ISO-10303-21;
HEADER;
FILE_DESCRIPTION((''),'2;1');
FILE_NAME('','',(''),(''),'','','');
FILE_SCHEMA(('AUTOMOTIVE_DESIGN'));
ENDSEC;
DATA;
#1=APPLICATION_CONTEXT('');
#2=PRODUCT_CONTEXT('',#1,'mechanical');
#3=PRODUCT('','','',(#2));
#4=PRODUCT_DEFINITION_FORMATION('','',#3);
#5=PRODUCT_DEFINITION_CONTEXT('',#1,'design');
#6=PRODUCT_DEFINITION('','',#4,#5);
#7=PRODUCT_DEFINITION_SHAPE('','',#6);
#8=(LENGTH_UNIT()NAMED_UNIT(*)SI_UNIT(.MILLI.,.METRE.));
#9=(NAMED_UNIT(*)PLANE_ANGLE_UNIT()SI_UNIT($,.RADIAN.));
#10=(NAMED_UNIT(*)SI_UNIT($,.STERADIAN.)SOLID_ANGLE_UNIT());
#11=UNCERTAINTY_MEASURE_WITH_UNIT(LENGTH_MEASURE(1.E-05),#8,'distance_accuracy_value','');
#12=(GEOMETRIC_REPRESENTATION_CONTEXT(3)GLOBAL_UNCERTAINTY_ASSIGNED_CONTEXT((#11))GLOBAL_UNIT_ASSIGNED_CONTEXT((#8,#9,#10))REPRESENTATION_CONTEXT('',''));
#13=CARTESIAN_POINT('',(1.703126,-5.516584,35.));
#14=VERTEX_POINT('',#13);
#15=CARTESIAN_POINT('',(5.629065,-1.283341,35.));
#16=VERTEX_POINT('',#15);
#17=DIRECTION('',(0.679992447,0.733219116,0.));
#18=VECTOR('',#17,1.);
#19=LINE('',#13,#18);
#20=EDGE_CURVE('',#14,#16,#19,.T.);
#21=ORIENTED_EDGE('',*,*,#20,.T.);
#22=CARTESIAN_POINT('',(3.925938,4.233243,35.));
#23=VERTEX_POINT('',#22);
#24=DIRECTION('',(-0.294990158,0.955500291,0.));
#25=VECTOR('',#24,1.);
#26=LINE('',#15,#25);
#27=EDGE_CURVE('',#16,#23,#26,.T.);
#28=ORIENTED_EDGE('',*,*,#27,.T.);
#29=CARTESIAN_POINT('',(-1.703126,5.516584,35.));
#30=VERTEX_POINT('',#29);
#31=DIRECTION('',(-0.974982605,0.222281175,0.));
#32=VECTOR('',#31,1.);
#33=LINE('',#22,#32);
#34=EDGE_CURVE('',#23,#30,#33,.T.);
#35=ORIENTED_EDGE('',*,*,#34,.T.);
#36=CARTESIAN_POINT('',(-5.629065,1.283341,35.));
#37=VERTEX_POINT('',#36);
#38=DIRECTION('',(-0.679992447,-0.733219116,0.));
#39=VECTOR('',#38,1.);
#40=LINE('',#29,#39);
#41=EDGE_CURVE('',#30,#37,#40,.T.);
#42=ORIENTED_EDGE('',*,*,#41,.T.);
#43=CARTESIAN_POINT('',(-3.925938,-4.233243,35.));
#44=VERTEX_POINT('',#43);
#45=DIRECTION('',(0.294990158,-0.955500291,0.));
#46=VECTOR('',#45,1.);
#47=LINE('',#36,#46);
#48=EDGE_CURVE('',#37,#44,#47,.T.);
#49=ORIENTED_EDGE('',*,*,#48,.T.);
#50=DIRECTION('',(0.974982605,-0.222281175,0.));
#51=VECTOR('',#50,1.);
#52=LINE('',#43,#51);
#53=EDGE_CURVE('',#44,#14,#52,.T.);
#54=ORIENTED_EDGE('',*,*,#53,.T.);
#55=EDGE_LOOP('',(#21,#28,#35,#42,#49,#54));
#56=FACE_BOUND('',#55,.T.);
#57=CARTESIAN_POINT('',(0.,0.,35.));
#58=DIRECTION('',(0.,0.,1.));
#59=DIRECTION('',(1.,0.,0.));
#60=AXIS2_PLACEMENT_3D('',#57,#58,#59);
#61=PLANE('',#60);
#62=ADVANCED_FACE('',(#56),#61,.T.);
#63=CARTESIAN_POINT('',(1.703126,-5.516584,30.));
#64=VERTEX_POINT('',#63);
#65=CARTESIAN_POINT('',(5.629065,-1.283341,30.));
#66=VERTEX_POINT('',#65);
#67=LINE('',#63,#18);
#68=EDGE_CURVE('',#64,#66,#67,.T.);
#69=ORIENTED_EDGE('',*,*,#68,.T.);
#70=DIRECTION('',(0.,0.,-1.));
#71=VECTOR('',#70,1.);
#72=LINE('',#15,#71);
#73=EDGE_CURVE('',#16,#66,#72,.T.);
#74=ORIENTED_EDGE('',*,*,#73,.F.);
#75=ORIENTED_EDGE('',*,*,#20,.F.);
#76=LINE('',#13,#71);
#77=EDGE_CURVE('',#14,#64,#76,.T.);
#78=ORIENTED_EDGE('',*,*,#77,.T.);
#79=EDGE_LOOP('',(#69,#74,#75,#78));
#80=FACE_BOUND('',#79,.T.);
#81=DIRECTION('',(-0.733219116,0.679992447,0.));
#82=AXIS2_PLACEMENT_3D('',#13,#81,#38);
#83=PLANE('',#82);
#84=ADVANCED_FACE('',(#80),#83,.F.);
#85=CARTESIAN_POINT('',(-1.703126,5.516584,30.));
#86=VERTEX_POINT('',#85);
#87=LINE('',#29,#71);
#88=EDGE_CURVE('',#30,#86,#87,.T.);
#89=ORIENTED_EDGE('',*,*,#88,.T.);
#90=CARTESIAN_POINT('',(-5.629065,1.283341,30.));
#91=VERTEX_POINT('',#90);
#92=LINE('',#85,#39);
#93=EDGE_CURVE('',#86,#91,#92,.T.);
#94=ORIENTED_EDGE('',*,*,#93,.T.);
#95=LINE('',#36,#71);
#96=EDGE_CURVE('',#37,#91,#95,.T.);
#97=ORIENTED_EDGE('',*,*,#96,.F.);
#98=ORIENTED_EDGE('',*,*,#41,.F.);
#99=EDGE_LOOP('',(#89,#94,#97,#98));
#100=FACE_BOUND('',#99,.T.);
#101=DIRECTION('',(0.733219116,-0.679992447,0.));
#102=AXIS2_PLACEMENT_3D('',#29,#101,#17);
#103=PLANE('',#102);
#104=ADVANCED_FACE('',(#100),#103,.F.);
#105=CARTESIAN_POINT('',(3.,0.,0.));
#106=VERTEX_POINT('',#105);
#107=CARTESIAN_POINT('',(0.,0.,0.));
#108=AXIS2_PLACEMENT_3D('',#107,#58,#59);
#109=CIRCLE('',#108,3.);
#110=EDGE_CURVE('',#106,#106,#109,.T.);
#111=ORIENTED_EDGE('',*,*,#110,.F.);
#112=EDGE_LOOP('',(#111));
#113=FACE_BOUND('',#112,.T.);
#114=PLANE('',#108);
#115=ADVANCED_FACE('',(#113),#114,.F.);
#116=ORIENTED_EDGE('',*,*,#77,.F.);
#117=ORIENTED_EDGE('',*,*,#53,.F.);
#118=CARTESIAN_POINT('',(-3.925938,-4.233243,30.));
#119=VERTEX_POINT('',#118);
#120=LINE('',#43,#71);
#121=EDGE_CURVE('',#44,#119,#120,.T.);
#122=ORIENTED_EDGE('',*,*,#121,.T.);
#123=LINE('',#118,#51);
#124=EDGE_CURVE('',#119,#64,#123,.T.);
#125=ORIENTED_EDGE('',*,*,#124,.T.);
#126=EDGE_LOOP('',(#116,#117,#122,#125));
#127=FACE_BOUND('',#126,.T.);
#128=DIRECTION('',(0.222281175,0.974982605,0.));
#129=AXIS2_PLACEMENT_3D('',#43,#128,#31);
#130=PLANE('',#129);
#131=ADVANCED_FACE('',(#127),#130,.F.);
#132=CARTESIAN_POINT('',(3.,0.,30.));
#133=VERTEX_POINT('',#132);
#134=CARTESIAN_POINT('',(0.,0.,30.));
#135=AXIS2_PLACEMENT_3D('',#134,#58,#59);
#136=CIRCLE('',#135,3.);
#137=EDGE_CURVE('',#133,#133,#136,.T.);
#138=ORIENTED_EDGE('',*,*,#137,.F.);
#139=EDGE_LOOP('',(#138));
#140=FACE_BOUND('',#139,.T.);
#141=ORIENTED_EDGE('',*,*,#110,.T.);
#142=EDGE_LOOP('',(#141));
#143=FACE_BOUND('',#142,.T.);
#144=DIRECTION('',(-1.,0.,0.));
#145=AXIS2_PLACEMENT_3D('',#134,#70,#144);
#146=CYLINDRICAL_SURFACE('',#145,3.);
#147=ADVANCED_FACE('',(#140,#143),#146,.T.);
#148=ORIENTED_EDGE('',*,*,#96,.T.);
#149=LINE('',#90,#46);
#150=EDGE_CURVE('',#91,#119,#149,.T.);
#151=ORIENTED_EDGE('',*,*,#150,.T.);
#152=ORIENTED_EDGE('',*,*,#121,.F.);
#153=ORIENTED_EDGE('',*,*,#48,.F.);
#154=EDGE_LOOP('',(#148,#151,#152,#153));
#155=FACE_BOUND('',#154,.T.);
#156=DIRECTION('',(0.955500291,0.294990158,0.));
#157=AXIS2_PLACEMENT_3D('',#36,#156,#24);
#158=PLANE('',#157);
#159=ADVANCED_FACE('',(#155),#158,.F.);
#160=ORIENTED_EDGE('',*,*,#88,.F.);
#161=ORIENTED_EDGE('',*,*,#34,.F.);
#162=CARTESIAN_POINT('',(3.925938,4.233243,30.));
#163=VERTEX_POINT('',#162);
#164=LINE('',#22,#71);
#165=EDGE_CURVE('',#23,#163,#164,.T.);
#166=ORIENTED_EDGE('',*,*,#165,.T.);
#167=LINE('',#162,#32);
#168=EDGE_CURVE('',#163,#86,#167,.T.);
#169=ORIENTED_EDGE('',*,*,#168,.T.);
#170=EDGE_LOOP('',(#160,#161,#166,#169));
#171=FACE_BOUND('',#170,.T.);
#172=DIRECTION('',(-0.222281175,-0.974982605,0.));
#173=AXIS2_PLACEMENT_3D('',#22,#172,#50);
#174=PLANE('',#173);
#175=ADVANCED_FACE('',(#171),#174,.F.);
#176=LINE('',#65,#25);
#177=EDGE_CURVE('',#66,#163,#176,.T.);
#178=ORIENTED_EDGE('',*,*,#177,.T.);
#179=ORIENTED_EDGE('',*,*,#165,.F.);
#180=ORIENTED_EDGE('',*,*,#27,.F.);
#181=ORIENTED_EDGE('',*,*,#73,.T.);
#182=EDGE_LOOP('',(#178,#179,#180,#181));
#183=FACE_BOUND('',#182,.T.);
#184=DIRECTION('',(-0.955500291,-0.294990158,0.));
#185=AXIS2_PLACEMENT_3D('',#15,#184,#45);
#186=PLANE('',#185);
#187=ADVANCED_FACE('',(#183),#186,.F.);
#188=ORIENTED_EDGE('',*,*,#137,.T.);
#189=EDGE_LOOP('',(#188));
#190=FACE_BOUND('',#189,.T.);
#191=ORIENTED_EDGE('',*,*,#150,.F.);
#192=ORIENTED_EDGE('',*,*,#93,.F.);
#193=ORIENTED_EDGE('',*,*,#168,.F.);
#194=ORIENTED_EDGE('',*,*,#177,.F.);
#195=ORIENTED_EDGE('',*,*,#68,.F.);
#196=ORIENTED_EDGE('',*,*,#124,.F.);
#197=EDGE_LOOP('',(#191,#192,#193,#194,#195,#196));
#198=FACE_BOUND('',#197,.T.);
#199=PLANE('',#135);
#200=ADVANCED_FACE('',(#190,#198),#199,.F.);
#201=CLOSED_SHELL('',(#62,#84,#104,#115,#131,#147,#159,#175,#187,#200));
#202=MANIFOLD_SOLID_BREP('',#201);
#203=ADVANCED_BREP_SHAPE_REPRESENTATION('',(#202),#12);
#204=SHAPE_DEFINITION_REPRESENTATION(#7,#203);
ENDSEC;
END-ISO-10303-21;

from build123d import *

# Parameters (mm, degrees)
SKETCH_1_R      = 3
EXTRUDE_1_DEPTH = 30
EXTRUDE_2_DEPTH = 5


with BuildPart() as part:
    # 草图1 → 凸台-拉伸1 (new body)
    with BuildSketch(Plane.XY):
        Circle(SKETCH_1_R)
    extrude(amount=EXTRUDE_1_DEPTH)

    # 草图2 → 凸台-拉伸2 (add)
    with BuildSketch(Plane.XY.offset(30)):
        Polygon((3.925938222, 4.233242541), (-1.70312647, 5.516583504), (-5.629064692, 1.283340963), (-3.925938222, -4.233242541), (1.70312647, -5.516583504), (5.629064692, -1.283340963), align=None)
    extrude(amount=EXTRUDE_2_DEPTH)


solid = part.part
